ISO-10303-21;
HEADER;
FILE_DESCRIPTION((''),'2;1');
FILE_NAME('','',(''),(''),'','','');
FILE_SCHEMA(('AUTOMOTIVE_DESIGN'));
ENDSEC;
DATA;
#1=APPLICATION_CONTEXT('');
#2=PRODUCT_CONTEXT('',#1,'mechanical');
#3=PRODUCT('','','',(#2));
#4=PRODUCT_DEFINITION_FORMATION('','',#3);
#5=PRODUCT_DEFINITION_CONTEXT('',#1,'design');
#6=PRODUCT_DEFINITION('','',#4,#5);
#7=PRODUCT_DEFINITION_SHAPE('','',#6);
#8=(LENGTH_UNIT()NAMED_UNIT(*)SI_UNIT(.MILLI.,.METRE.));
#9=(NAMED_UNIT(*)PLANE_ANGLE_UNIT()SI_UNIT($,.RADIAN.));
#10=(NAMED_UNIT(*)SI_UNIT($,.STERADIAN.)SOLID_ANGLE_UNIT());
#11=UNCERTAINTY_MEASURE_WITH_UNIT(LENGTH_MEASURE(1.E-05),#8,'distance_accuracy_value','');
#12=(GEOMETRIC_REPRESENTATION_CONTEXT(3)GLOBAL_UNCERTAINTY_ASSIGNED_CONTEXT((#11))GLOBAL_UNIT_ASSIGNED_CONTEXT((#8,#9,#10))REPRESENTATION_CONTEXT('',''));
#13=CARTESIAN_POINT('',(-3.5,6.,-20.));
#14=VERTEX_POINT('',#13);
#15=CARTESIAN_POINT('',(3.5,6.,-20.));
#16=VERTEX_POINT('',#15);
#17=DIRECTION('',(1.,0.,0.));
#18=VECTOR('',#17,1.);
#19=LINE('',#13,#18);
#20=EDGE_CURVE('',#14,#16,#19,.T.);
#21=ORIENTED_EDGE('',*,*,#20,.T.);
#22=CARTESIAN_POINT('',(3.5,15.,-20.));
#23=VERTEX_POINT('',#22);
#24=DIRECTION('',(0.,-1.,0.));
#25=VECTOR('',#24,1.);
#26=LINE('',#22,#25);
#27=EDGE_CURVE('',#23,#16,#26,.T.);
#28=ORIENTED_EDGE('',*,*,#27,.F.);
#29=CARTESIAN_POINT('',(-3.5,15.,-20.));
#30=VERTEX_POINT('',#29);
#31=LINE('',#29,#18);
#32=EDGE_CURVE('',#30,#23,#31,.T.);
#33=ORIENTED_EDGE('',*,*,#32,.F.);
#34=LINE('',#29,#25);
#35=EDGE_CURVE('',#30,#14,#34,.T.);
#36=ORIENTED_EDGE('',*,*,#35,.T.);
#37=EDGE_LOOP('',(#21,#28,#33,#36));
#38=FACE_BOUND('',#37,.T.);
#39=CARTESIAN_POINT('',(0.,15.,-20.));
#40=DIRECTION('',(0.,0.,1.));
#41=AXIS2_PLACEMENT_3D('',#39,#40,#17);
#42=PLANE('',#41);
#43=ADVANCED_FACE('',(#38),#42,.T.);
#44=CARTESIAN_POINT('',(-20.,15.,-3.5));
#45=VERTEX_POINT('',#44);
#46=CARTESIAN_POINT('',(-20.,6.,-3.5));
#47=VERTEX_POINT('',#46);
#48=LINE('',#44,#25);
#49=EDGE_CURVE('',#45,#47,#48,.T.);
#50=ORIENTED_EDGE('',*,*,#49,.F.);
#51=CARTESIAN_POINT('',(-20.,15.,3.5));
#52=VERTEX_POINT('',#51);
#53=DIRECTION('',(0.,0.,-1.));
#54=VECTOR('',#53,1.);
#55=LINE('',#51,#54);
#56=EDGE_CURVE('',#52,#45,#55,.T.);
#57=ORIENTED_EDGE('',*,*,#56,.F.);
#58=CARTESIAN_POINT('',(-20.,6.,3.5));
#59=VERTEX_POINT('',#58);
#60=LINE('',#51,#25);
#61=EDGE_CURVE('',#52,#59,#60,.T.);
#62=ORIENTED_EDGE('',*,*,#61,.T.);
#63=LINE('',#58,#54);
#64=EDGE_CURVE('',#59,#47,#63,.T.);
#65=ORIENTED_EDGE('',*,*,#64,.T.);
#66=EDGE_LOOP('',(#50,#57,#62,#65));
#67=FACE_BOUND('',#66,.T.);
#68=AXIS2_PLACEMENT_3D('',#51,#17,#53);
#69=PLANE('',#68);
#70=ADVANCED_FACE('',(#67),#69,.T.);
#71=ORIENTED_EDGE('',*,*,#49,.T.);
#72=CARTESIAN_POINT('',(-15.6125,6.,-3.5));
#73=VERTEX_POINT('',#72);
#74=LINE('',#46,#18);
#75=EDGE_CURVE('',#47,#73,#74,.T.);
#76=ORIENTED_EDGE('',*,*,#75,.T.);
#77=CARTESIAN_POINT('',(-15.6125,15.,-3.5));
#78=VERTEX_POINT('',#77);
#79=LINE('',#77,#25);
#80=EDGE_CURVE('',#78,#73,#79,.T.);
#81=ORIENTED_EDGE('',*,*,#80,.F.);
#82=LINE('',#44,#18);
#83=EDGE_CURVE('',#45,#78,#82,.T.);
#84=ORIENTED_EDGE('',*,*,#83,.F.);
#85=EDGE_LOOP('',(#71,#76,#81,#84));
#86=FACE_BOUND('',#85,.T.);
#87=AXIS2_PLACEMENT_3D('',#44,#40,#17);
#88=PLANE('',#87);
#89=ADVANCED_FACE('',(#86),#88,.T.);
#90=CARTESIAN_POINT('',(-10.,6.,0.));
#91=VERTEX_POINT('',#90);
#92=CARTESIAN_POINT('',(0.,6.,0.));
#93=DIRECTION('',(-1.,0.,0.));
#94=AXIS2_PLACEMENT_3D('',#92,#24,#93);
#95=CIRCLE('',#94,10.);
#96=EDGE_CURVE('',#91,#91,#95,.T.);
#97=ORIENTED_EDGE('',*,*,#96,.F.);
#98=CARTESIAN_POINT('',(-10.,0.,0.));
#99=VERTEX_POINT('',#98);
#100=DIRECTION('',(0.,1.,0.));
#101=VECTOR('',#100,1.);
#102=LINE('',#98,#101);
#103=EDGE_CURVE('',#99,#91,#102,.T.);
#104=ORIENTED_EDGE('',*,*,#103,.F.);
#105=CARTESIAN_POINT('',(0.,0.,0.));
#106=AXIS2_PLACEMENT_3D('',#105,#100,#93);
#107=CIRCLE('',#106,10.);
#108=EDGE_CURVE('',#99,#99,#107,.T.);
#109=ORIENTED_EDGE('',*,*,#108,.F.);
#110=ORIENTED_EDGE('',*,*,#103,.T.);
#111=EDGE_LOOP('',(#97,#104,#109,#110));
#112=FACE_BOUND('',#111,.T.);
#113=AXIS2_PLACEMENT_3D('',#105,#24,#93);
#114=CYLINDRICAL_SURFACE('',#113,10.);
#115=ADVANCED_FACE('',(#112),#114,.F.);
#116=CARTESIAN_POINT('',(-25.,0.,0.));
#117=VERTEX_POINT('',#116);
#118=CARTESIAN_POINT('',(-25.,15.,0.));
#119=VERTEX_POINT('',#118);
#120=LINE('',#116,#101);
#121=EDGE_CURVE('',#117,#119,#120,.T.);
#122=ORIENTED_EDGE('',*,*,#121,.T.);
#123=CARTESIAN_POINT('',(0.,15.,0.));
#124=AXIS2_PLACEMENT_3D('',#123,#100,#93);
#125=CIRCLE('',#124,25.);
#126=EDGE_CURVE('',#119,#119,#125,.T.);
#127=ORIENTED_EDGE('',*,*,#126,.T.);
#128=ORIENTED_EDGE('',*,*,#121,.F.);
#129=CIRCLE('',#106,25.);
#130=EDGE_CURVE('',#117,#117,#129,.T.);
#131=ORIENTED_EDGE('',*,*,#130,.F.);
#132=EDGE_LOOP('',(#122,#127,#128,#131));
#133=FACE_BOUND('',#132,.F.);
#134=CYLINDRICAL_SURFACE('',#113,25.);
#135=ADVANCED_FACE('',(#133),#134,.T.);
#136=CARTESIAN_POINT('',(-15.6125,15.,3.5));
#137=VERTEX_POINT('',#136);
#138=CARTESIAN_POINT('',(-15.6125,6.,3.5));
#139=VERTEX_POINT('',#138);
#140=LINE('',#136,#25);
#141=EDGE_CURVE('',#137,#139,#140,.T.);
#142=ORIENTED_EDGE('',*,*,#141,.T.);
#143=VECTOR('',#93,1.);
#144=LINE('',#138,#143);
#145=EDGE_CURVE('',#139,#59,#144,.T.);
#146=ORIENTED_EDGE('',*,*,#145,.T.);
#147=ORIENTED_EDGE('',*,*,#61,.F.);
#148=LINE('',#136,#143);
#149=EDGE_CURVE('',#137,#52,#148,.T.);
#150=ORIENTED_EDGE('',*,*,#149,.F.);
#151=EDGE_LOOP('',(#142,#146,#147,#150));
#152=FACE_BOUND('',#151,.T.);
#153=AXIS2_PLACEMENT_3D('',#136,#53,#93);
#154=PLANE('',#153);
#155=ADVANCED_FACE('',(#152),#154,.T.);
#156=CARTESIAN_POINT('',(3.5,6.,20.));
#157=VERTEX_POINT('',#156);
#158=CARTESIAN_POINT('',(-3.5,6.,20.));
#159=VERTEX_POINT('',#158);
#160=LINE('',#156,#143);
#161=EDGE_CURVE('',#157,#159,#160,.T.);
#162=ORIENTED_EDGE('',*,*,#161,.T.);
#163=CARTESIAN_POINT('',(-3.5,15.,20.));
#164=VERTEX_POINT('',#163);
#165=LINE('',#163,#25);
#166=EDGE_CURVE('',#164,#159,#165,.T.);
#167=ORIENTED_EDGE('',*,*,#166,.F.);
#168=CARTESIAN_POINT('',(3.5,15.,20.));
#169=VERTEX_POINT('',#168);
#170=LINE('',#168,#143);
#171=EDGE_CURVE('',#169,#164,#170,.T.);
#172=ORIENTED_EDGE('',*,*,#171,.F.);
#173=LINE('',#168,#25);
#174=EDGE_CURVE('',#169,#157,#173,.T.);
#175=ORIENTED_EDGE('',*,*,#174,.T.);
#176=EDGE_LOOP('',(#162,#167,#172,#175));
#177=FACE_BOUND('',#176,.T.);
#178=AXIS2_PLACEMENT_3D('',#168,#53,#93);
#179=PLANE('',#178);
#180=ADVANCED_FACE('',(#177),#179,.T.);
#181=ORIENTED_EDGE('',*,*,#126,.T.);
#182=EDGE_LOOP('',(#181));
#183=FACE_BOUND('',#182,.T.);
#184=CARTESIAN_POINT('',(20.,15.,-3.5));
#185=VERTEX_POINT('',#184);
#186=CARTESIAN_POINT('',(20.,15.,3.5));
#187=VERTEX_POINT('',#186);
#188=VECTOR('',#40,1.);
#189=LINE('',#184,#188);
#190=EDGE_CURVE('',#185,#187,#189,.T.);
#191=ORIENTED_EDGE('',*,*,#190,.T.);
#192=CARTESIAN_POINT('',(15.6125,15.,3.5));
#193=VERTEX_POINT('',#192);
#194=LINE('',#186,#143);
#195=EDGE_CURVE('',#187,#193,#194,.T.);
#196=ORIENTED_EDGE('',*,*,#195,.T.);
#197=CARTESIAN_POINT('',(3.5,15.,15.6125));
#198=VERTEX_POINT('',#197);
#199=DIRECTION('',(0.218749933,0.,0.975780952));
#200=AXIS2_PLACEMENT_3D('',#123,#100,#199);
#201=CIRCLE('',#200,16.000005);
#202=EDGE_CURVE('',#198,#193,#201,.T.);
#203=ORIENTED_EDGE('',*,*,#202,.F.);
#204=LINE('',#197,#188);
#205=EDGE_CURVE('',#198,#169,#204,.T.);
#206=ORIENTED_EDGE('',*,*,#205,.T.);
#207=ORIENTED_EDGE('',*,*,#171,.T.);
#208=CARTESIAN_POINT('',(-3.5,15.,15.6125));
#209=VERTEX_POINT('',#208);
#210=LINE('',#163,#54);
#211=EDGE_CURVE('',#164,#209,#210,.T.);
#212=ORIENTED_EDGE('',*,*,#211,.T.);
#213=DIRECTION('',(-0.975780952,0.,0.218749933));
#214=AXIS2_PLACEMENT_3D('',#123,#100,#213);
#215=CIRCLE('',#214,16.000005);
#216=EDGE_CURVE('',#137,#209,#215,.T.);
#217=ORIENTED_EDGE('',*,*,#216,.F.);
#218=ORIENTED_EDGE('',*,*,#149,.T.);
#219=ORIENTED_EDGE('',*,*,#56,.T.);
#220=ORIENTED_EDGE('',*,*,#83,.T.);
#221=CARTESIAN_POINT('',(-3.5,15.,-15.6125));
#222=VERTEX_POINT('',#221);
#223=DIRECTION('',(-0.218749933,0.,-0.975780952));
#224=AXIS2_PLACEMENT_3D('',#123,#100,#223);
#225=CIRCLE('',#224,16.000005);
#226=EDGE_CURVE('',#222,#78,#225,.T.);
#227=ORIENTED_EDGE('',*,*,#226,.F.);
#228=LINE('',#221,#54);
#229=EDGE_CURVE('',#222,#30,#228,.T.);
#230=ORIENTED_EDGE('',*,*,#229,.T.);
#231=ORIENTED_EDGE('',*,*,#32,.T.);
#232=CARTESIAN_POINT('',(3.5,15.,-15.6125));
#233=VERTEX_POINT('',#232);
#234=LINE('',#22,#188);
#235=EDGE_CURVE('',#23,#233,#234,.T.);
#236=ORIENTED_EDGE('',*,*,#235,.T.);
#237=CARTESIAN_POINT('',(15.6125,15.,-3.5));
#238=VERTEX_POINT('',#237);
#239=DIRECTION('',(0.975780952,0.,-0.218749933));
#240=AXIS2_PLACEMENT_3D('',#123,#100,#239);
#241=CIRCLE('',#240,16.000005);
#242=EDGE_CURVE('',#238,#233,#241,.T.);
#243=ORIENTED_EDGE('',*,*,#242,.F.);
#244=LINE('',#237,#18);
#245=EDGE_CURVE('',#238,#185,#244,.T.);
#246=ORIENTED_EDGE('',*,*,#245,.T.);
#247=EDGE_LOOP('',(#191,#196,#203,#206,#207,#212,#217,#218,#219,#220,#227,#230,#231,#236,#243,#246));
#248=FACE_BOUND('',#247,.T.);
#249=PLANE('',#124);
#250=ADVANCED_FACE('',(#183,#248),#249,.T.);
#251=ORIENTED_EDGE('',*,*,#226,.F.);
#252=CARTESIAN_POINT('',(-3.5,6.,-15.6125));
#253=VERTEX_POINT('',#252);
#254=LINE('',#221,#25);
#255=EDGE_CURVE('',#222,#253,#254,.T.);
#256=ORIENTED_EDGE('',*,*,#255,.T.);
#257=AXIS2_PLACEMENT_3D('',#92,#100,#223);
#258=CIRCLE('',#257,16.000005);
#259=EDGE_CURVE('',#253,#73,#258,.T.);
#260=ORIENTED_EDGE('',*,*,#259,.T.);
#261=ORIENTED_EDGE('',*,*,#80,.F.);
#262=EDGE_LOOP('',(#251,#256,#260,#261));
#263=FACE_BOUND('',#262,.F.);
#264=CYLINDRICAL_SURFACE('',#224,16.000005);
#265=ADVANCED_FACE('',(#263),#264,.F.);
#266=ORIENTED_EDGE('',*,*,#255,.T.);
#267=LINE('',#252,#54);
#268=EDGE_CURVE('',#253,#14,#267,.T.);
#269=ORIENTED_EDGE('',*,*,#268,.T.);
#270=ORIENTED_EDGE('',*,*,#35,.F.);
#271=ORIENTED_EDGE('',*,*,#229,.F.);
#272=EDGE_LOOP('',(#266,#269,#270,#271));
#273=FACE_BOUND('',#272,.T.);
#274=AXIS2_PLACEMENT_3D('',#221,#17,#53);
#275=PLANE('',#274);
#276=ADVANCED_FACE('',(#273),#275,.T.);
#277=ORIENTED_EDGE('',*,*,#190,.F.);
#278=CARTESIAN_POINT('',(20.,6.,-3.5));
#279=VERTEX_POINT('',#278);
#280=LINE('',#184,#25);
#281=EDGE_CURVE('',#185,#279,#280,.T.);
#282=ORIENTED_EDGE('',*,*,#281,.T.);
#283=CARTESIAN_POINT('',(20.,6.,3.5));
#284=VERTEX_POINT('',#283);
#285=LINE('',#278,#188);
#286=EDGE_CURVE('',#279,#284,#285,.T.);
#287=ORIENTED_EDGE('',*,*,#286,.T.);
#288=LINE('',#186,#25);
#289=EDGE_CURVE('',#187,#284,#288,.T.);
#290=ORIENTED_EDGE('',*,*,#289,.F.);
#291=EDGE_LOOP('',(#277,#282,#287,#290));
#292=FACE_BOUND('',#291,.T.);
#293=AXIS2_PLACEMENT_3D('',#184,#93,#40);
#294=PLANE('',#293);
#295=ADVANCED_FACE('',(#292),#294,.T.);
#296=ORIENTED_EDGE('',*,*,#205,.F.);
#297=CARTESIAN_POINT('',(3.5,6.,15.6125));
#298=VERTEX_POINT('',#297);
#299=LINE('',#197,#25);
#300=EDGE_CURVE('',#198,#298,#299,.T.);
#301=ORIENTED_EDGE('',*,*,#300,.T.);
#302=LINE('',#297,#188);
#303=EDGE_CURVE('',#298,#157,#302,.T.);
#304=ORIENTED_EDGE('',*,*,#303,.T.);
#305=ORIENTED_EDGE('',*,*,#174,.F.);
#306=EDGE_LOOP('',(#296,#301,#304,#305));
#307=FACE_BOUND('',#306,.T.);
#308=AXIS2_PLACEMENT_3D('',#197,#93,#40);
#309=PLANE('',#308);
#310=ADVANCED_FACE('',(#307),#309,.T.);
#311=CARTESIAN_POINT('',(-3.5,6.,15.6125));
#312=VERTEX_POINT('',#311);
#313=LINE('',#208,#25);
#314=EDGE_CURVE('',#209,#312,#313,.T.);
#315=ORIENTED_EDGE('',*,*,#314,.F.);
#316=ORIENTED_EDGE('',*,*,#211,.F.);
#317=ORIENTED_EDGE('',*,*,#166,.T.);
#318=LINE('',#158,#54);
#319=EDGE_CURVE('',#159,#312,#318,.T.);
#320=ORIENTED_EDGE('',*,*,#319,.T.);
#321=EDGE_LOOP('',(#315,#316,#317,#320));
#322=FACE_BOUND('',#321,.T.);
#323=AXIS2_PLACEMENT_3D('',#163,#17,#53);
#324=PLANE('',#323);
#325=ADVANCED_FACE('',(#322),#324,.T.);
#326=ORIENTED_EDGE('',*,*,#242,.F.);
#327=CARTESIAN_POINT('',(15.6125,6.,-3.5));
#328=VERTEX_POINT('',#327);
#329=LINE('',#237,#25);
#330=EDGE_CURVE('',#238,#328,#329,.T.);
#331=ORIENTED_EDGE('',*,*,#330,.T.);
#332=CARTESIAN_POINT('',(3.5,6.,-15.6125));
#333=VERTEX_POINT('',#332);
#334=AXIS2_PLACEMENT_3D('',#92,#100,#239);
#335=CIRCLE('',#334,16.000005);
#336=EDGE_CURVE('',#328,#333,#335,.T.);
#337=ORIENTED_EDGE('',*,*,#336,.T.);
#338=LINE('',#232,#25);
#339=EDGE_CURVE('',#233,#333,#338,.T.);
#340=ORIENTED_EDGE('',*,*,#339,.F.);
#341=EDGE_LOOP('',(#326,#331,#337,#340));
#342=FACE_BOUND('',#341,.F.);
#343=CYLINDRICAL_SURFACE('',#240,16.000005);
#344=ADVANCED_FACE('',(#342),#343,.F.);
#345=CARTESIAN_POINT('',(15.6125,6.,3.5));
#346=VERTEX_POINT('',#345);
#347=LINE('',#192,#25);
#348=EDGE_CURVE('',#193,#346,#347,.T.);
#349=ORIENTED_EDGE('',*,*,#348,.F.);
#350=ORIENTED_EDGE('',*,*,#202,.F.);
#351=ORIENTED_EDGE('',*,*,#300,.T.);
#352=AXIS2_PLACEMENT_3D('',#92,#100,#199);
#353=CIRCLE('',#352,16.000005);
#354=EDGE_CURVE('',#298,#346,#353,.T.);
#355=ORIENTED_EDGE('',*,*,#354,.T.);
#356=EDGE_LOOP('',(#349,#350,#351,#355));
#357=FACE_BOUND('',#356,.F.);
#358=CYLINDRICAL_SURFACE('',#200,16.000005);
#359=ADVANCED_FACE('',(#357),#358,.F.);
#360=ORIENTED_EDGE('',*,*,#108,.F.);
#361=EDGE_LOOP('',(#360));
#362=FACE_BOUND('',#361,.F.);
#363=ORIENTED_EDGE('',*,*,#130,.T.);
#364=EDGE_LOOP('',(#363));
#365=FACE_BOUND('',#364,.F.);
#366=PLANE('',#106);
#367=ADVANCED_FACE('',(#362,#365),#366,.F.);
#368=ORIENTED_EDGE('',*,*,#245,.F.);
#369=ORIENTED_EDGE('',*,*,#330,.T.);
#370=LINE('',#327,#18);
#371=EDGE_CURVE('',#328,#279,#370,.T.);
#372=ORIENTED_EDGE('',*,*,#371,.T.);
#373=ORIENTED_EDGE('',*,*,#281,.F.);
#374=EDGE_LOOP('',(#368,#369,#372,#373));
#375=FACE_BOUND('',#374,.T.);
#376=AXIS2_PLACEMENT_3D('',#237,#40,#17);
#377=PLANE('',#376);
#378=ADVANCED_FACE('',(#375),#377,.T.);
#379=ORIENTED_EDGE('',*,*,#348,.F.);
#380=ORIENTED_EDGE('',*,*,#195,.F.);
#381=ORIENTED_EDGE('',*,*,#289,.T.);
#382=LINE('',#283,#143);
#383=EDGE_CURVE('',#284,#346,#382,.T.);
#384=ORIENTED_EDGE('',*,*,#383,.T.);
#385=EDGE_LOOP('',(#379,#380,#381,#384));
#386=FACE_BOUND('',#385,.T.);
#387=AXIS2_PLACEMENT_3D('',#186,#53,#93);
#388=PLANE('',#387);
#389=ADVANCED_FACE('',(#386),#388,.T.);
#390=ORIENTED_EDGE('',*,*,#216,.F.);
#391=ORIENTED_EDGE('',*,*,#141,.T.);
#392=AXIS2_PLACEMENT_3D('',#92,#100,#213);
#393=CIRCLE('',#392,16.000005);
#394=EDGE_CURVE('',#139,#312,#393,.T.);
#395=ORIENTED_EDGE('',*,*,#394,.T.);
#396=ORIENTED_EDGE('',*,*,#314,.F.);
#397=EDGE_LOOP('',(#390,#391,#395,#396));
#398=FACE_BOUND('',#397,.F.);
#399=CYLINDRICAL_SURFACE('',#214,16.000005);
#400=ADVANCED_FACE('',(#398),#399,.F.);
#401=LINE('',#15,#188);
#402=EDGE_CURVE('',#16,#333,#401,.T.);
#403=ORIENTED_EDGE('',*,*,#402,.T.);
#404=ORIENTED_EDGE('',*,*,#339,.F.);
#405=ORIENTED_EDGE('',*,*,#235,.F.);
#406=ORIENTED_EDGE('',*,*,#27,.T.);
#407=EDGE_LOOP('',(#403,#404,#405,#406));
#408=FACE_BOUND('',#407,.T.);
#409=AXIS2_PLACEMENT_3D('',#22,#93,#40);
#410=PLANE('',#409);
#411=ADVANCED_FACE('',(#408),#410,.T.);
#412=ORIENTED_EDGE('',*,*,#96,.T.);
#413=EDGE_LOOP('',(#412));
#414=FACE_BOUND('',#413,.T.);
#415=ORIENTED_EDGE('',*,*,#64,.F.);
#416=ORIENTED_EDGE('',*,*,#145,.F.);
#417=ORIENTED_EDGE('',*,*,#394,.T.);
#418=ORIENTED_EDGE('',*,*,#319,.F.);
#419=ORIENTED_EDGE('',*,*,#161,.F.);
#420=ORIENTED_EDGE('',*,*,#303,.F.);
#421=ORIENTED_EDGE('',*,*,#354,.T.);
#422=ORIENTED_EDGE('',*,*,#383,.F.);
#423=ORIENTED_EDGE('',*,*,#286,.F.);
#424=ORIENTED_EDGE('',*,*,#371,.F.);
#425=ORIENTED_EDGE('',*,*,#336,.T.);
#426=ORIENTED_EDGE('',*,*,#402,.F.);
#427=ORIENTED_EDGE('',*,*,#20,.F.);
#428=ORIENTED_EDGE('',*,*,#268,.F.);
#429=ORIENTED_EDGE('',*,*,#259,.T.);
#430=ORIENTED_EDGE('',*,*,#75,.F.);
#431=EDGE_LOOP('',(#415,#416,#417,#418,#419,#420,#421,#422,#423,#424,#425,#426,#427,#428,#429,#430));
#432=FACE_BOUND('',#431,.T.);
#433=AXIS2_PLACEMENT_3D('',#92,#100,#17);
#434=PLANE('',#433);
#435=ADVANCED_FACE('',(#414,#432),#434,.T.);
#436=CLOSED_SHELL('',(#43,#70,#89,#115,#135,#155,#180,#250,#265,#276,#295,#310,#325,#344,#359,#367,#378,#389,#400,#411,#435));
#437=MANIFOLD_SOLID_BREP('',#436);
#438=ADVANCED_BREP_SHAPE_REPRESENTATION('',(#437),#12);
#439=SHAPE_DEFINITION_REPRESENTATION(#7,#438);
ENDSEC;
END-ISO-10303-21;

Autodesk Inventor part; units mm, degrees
ref_plane "YZ Plane" through (0, 0, 0) normal (1, 0, 0) x (0, 1, 0)
ref_plane "XZ Plane" through (0, 0, 0) normal (0, 1, 0) x (-1, 0, 0)
ref_plane "XY Plane" through (0, 0, 0) normal (0, 0, 1) x (1, 0, 0)
sketch "Sketch1" plane through (0, 0, 0) normal (0, 1, 0) x (-1, 0, 0)
  circle A0 centre (0, 0) radius 25
  circle A1 centre (0, 0) radius 10
  dimension "d0" = 50
  dimension "d1" = 20
extrude "Extrusion1" add sketch "Sketch1" along normal blind 15
sketch "Sketch2" plane through (0, 15, 0) normal (0, 1, 0) x (1, 0, 0)
  line L0 (20, 0) -> (20, -3.5)
  line L1 (20, -3.5) -> (15.6125, -3.5)
  line L2 (-20, -3.5) -> (-20, 3.5)
  line L3 (20, 3.5) -> (20, -3.5)
  line L4 (-20, 3.5) -> (-15.6125, 3.5)
  line L5 (15.6125, 3.5) -> (20, 3.5)
  line L6 (20, -3.5) -> (15.6125, -3.5)
  line L7 (-15.6125, -3.5) -> (-20, -3.5)
  line L8 (0, 20) -> (3.5, 20)
  line L9 (3.5, 20) -> (3.5, 15.6125)
  line L10 (3.5, -20) -> (-3.5, -20)
  line L11 (-3.5, 20) -> (3.5, 20)
  line L12 (-3.5, -20) -> (-3.5, -15.6125)
  line L13 (-3.5, 15.6125) -> (-3.5, 20)
  line L14 (3.5, 20) -> (3.5, 15.6125)
  line L15 (3.5, -15.6125) -> (3.5, -20)
  line L16 (0, 20) -> (3.5, 20)
  line L17 (3.5, 20) -> (3.5, 15.6125)
  line L18 (3.5, -20) -> (-3.5, -20)
  line L19 (-3.5, 20) -> (3.5, 20)
  line L20 (-3.5, -20) -> (-3.5, -15.6125)
  line L21 (-3.5, 15.6125) -> (-3.5, 20)
  line L22 (3.5, 20) -> (3.5, 15.6125)
  line L23 (3.5, -15.6125) -> (3.5, -20)
  arc A0 (15.6125, 3.5) -> (3.5, 15.6125) centre (0, 0) ccw
  arc A1 (-3.5, 15.6125) -> (-15.6125, 3.5) centre (0, 0) ccw
  arc A2 (-3.5, 15.6125) -> (-15.6125, 3.5) centre (0, 0) ccw
  arc A3 (-15.6125, -3.5) -> (-3.5, -15.6125) centre (0, 0) ccw
  arc A4 (-15.6125, -3.5) -> (-3.5, -15.6125) centre (0, 0) ccw
  arc A5 (3.5, -15.6125) -> (15.6125, -3.5) centre (0, 0) ccw
  arc A6 (-3.5, 15.6125) -> (-15.6125, 3.5) centre (0, 0) ccw
  arc A7 (-15.6125, -3.5) -> (-3.5, -15.6125) centre (0, 0) ccw
  arc A8 (3.5, -15.6125) -> (15.6125, -3.5) centre (0, 0) ccw
  arc A9 (15.6125, 3.5) -> (3.5, 15.6125) centre (0, 0) ccw
  arc A10 (3.5, -15.6125) -> (15.6125, -3.5) centre (0, 0) ccw
  arc A11 (15.6125, 3.5) -> (3.5, 15.6125) centre (0, 0) ccw
  dimension "d7" = 40
  dimension "d8" = 7
extrude "Extrusion2" cut sketch "Sketch2" against normal blind 9
properties part number "adapter"
